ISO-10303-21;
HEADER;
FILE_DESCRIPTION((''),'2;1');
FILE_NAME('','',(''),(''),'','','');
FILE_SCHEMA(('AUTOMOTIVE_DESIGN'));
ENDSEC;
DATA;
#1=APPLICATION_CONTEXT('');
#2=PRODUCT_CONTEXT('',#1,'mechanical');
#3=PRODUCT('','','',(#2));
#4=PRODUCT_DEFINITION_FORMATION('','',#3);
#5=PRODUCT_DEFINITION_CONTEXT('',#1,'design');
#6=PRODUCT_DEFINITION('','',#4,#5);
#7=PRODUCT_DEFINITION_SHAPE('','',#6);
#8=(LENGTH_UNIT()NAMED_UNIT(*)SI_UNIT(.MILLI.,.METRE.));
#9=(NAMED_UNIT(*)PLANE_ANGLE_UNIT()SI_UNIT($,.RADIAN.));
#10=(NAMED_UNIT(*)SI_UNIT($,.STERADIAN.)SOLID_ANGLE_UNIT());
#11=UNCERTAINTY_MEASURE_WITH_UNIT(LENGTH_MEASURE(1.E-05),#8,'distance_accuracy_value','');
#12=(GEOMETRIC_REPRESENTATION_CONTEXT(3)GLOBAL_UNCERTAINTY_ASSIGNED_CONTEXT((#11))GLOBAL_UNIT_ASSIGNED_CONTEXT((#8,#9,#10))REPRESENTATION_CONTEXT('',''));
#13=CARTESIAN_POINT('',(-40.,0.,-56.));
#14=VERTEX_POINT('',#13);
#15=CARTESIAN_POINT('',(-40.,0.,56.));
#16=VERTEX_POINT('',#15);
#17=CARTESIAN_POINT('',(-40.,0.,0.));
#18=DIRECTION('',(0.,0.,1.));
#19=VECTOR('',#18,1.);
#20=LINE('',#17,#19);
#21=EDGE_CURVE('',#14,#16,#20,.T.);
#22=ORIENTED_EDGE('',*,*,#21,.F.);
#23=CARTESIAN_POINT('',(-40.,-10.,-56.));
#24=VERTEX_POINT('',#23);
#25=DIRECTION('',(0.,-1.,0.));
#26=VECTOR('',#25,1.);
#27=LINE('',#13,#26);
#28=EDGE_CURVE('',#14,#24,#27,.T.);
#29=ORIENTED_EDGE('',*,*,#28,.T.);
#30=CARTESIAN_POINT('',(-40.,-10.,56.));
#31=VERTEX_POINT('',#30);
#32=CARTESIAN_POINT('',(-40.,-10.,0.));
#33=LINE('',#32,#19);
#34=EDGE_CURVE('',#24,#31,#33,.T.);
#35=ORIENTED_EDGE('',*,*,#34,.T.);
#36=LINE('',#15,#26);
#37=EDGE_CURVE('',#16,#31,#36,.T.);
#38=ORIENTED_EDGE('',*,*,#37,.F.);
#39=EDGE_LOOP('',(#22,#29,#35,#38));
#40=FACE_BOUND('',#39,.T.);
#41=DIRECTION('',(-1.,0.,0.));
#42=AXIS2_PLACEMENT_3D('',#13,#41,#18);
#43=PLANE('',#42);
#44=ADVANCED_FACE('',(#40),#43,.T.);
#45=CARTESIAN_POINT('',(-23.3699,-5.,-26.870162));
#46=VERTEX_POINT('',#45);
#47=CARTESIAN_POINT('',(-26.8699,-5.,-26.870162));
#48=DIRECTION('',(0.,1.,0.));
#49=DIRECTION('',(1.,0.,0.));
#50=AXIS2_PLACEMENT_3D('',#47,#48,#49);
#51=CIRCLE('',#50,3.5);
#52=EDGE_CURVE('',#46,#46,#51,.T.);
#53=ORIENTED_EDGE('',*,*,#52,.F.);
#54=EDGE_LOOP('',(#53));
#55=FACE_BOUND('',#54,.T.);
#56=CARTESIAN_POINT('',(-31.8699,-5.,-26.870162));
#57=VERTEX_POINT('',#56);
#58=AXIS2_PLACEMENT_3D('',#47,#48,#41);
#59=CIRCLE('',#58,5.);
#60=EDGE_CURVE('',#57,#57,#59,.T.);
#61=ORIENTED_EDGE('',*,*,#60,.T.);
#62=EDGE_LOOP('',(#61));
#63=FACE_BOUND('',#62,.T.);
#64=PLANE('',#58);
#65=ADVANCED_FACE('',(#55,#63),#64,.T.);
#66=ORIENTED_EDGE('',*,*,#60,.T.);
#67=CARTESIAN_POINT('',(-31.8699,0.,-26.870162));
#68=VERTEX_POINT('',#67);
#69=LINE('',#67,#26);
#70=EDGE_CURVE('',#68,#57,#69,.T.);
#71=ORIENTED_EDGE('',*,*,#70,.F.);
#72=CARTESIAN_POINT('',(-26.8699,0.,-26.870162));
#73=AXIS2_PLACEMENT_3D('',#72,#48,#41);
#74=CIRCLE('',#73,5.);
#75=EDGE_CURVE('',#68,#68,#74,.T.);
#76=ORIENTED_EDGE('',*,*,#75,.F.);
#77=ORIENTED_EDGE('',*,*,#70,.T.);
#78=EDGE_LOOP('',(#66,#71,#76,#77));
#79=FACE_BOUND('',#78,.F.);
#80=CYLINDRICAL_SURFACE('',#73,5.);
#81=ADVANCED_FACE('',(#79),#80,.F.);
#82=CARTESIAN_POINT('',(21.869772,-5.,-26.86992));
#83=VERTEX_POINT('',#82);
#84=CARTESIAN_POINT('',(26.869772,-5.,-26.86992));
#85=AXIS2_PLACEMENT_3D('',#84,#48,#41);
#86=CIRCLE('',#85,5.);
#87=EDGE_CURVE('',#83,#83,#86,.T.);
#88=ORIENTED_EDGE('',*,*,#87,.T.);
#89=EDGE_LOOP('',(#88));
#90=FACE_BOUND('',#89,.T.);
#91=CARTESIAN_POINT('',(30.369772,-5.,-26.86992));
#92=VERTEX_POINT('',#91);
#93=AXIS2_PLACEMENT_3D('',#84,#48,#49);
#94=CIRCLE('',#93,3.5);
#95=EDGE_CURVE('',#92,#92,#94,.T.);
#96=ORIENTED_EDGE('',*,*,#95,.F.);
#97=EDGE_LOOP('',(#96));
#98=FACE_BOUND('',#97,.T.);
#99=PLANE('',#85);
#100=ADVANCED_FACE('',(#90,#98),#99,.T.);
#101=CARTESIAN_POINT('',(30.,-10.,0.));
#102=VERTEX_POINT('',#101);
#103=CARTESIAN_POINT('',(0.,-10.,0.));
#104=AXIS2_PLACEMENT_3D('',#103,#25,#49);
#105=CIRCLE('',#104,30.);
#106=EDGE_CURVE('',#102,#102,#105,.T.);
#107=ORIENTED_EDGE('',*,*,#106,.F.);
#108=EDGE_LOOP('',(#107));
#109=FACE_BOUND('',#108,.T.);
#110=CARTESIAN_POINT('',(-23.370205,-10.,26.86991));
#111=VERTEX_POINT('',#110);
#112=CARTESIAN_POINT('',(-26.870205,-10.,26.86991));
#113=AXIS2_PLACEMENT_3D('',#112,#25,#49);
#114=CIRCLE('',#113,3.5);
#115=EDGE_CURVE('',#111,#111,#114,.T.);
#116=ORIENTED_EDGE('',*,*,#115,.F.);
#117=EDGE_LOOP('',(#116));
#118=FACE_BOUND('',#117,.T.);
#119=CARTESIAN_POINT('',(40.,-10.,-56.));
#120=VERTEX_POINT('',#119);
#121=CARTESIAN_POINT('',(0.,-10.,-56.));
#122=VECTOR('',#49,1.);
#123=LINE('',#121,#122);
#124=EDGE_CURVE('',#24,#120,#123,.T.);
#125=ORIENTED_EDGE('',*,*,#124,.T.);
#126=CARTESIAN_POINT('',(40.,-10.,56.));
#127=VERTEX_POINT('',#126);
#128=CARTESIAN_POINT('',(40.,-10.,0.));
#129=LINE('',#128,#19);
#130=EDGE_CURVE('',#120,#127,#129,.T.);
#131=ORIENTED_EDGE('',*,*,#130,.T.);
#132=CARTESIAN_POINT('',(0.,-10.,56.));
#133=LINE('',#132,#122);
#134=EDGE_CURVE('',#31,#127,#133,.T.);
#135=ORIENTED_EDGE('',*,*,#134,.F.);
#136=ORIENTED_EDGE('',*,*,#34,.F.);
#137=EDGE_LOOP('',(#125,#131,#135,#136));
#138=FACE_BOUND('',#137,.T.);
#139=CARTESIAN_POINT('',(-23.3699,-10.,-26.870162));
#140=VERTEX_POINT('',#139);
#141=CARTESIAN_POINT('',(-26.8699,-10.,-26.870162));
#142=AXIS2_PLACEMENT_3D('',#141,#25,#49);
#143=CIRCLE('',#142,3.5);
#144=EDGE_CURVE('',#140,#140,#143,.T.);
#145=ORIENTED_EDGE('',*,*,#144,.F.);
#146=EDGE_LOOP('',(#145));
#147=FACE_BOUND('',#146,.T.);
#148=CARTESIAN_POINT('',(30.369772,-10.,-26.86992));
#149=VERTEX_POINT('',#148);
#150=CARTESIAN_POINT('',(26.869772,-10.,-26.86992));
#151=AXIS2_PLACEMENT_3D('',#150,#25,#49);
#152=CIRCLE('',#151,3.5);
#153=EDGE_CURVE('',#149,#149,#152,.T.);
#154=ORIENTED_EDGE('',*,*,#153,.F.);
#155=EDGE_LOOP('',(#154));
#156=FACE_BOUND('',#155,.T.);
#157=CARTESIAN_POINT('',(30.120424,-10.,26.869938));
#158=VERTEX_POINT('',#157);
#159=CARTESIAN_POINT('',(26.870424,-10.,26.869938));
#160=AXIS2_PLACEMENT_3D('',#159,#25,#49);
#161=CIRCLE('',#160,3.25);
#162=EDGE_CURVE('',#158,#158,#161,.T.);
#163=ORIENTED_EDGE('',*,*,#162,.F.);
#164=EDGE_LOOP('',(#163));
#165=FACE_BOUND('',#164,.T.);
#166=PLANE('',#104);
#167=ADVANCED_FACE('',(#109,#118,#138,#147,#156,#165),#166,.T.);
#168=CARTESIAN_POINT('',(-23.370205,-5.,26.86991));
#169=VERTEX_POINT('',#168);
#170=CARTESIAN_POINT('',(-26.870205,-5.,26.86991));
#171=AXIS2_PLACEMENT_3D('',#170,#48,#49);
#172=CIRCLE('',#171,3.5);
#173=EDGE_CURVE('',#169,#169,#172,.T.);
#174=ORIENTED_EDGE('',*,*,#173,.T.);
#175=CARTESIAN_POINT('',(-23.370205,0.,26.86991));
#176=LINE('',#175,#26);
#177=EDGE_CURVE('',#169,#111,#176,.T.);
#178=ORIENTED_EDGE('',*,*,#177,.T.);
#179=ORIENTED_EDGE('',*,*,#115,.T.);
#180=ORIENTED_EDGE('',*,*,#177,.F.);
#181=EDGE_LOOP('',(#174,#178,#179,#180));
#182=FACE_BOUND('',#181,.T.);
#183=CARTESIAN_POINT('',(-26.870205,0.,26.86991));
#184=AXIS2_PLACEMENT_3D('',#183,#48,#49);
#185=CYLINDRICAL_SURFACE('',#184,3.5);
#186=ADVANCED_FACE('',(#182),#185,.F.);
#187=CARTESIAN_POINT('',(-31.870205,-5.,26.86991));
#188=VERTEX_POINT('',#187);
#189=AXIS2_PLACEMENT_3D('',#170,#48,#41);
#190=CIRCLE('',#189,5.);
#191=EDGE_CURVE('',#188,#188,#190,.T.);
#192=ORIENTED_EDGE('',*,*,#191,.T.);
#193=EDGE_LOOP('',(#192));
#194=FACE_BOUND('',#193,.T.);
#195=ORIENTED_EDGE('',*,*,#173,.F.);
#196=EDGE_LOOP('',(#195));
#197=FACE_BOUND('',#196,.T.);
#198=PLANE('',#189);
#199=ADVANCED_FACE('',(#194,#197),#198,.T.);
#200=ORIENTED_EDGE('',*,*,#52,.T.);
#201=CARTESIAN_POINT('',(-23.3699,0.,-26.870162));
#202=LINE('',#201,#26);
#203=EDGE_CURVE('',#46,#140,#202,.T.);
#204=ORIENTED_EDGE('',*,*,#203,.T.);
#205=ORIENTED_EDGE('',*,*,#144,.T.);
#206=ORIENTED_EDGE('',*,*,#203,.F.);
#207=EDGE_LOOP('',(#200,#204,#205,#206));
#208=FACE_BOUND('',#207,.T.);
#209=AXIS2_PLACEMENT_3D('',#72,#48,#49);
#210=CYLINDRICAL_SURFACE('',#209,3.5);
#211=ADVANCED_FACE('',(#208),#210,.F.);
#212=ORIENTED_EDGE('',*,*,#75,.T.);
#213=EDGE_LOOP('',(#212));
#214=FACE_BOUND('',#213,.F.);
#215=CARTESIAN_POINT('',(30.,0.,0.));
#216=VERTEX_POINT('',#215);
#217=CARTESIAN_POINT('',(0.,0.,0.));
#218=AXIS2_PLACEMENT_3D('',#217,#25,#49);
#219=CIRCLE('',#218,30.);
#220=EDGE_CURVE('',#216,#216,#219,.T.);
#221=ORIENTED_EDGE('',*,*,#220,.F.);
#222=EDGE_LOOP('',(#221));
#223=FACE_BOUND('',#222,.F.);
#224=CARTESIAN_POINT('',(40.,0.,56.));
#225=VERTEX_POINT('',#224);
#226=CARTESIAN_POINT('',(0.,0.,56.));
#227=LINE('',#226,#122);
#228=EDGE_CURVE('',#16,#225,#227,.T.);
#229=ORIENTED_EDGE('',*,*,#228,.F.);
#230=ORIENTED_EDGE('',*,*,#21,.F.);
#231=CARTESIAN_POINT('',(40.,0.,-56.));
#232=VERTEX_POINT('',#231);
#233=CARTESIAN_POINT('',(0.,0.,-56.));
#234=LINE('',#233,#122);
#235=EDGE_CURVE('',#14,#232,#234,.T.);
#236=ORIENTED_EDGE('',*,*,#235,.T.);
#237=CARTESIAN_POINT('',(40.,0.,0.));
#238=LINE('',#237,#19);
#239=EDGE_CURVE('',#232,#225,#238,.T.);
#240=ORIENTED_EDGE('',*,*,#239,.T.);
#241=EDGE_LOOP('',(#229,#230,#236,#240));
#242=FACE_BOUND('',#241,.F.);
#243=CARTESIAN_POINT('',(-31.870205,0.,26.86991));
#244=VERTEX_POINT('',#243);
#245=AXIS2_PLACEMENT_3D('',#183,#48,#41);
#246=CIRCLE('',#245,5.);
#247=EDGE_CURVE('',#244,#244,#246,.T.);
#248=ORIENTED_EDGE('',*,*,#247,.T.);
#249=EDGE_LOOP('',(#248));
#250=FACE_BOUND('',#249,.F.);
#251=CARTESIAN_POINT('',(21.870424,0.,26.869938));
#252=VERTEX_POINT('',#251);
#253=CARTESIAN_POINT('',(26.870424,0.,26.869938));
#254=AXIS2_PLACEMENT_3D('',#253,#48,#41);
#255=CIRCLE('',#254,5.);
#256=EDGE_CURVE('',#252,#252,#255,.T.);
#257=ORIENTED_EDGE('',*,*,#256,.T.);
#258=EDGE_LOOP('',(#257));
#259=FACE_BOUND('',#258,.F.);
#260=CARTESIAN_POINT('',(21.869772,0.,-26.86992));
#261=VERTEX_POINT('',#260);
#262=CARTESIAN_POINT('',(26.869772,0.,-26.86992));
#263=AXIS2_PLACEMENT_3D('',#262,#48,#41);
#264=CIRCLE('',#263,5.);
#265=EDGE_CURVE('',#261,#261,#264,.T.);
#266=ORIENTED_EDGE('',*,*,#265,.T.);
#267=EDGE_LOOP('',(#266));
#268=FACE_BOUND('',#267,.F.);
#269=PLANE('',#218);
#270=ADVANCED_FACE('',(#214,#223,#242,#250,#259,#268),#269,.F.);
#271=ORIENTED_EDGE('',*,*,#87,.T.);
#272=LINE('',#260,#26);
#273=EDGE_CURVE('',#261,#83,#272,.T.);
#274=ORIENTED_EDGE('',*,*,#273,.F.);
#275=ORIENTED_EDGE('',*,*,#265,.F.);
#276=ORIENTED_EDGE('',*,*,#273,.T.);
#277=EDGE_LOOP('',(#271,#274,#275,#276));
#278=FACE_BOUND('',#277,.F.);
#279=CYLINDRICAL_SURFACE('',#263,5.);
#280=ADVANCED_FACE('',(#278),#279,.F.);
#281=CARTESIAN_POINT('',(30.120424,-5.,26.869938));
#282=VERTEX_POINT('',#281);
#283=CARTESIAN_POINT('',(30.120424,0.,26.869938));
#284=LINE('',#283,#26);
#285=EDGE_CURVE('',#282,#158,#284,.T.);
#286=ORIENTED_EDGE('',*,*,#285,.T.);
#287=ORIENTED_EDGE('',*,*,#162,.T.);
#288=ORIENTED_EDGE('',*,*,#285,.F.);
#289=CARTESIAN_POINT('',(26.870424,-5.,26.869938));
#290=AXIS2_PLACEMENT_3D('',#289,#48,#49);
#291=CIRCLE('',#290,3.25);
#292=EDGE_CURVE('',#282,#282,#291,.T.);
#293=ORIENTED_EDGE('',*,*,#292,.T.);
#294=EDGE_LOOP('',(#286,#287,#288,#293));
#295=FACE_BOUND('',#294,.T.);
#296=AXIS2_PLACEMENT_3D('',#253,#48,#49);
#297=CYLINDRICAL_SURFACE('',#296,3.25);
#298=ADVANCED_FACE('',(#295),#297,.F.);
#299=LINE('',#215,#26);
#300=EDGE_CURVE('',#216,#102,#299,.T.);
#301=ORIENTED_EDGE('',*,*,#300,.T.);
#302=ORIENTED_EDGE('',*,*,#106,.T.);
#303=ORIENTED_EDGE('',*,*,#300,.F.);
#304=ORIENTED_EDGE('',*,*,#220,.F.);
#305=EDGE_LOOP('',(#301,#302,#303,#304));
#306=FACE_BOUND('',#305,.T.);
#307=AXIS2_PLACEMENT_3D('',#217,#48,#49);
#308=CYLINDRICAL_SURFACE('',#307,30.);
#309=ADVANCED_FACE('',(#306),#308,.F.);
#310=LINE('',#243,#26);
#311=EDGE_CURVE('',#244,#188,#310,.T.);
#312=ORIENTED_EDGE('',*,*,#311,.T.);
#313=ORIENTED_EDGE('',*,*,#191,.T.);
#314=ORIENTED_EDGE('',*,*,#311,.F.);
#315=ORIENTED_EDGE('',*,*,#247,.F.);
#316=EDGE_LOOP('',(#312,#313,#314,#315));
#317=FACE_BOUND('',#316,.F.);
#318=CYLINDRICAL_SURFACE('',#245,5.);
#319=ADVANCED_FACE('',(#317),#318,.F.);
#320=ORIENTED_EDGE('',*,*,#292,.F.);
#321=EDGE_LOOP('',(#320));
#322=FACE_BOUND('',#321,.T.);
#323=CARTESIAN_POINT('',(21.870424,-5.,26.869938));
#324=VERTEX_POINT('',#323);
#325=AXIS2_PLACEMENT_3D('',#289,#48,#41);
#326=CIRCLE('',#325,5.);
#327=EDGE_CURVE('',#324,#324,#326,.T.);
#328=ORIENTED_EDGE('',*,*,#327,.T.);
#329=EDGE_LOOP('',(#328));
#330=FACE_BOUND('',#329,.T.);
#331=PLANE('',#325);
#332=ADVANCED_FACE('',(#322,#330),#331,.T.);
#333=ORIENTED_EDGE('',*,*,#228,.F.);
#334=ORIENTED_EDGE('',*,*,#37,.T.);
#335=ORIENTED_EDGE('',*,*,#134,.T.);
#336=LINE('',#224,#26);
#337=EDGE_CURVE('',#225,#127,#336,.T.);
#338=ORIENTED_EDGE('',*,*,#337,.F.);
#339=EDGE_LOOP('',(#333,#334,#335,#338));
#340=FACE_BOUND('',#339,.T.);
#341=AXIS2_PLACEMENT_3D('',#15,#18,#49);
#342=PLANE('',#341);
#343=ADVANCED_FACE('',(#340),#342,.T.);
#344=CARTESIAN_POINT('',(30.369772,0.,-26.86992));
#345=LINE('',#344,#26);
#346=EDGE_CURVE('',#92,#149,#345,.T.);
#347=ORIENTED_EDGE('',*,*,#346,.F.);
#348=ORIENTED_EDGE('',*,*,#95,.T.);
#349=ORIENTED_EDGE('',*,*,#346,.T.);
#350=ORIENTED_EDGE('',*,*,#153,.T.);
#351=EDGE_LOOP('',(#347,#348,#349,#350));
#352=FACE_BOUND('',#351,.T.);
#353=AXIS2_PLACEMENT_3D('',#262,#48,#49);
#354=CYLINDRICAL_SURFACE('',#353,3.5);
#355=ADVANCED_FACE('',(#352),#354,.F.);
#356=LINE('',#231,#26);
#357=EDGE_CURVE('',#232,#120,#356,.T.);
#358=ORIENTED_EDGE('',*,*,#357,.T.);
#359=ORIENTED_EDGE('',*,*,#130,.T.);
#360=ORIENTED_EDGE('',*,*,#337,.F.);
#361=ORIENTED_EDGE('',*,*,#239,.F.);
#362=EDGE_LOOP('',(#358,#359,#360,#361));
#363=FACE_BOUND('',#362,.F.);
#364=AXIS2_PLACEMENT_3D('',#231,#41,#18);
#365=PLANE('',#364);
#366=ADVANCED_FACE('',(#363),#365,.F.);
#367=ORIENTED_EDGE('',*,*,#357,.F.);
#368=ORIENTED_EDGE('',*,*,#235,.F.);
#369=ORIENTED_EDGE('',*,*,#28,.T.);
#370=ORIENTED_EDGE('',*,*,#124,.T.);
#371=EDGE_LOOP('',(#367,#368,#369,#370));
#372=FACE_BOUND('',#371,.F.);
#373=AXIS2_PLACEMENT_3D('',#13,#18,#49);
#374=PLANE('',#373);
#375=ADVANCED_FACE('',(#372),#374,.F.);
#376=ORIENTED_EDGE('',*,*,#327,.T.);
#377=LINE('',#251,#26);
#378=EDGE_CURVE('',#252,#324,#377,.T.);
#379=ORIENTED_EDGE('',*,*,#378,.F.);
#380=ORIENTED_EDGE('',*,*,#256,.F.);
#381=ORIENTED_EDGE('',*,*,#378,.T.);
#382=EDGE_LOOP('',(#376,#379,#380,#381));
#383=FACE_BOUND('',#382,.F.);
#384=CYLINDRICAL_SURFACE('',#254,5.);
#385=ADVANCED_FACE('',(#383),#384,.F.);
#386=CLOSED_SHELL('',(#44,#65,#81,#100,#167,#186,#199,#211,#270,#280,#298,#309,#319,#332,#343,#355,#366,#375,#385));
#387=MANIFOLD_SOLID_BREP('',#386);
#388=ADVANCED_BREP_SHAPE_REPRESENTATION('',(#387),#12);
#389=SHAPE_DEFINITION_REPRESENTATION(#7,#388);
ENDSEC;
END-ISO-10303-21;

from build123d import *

# Parameters (mm, degrees)
F0_W     = 80
F0_H     = 112
F0_R     = 3.5
F0_R_2   = 30
F0_R_3   = 3.25
F1_DEPTH = 10
F2_R     = 5
F2_R_2   = 3.25
F2_R_3   = 3.5
F3_DEPTH = 5


with BuildPart() as f1:
    # F0 (on Front) → F1 (new body)
    with BuildSketch(Plane.XZ):
        Rectangle(F0_W, F0_H)
        with Locations((-26.8699, -26.870162)):
            Circle(F0_R, mode=Mode.SUBTRACT)
        with Locations((26.869772, -26.86992)):
            Circle(F0_R, mode=Mode.SUBTRACT)
        with Locations((-26.870205, 26.86991)):
            Circle(F0_R, mode=Mode.SUBTRACT)
        Circle(F0_R_2, mode=Mode.SUBTRACT)
        with Locations((26.870424, 26.869938)):
            Circle(F0_R_3, mode=Mode.SUBTRACT)
    extrude(amount=F1_DEPTH)

    # F2 (on face) → F3 (cut)
    with BuildSketch(Plane(origin=(0, 0, 0), x_dir=(-1, 0, 0), z_dir=(0, 1, 0))):
        with Locations((-26.870424, 26.869938)):
            Circle(F2_R)
        with Locations((-26.870424, 26.869938)):
            Circle(F2_R_2, mode=Mode.SUBTRACT)
        with Locations((26.870205, 26.86991)):
            Circle(F2_R)
        with Locations((26.870205, 26.86991)):
            Circle(F2_R_3, mode=Mode.SUBTRACT)
        with Locations((26.8699, -26.870162)):
            Circle(F2_R)
        with Locations((26.8699, -26.870162)):
            Circle(F2_R_3, mode=Mode.SUBTRACT)
        with Locations((-26.869772, -26.86992)):
            Circle(F2_R)
        with Locations((-26.869772, -26.86992)):
            Circle(F2_R_3, mode=Mode.SUBTRACT)
    extrude(amount=-F3_DEPTH, mode=Mode.SUBTRACT)


solid = f1.part
